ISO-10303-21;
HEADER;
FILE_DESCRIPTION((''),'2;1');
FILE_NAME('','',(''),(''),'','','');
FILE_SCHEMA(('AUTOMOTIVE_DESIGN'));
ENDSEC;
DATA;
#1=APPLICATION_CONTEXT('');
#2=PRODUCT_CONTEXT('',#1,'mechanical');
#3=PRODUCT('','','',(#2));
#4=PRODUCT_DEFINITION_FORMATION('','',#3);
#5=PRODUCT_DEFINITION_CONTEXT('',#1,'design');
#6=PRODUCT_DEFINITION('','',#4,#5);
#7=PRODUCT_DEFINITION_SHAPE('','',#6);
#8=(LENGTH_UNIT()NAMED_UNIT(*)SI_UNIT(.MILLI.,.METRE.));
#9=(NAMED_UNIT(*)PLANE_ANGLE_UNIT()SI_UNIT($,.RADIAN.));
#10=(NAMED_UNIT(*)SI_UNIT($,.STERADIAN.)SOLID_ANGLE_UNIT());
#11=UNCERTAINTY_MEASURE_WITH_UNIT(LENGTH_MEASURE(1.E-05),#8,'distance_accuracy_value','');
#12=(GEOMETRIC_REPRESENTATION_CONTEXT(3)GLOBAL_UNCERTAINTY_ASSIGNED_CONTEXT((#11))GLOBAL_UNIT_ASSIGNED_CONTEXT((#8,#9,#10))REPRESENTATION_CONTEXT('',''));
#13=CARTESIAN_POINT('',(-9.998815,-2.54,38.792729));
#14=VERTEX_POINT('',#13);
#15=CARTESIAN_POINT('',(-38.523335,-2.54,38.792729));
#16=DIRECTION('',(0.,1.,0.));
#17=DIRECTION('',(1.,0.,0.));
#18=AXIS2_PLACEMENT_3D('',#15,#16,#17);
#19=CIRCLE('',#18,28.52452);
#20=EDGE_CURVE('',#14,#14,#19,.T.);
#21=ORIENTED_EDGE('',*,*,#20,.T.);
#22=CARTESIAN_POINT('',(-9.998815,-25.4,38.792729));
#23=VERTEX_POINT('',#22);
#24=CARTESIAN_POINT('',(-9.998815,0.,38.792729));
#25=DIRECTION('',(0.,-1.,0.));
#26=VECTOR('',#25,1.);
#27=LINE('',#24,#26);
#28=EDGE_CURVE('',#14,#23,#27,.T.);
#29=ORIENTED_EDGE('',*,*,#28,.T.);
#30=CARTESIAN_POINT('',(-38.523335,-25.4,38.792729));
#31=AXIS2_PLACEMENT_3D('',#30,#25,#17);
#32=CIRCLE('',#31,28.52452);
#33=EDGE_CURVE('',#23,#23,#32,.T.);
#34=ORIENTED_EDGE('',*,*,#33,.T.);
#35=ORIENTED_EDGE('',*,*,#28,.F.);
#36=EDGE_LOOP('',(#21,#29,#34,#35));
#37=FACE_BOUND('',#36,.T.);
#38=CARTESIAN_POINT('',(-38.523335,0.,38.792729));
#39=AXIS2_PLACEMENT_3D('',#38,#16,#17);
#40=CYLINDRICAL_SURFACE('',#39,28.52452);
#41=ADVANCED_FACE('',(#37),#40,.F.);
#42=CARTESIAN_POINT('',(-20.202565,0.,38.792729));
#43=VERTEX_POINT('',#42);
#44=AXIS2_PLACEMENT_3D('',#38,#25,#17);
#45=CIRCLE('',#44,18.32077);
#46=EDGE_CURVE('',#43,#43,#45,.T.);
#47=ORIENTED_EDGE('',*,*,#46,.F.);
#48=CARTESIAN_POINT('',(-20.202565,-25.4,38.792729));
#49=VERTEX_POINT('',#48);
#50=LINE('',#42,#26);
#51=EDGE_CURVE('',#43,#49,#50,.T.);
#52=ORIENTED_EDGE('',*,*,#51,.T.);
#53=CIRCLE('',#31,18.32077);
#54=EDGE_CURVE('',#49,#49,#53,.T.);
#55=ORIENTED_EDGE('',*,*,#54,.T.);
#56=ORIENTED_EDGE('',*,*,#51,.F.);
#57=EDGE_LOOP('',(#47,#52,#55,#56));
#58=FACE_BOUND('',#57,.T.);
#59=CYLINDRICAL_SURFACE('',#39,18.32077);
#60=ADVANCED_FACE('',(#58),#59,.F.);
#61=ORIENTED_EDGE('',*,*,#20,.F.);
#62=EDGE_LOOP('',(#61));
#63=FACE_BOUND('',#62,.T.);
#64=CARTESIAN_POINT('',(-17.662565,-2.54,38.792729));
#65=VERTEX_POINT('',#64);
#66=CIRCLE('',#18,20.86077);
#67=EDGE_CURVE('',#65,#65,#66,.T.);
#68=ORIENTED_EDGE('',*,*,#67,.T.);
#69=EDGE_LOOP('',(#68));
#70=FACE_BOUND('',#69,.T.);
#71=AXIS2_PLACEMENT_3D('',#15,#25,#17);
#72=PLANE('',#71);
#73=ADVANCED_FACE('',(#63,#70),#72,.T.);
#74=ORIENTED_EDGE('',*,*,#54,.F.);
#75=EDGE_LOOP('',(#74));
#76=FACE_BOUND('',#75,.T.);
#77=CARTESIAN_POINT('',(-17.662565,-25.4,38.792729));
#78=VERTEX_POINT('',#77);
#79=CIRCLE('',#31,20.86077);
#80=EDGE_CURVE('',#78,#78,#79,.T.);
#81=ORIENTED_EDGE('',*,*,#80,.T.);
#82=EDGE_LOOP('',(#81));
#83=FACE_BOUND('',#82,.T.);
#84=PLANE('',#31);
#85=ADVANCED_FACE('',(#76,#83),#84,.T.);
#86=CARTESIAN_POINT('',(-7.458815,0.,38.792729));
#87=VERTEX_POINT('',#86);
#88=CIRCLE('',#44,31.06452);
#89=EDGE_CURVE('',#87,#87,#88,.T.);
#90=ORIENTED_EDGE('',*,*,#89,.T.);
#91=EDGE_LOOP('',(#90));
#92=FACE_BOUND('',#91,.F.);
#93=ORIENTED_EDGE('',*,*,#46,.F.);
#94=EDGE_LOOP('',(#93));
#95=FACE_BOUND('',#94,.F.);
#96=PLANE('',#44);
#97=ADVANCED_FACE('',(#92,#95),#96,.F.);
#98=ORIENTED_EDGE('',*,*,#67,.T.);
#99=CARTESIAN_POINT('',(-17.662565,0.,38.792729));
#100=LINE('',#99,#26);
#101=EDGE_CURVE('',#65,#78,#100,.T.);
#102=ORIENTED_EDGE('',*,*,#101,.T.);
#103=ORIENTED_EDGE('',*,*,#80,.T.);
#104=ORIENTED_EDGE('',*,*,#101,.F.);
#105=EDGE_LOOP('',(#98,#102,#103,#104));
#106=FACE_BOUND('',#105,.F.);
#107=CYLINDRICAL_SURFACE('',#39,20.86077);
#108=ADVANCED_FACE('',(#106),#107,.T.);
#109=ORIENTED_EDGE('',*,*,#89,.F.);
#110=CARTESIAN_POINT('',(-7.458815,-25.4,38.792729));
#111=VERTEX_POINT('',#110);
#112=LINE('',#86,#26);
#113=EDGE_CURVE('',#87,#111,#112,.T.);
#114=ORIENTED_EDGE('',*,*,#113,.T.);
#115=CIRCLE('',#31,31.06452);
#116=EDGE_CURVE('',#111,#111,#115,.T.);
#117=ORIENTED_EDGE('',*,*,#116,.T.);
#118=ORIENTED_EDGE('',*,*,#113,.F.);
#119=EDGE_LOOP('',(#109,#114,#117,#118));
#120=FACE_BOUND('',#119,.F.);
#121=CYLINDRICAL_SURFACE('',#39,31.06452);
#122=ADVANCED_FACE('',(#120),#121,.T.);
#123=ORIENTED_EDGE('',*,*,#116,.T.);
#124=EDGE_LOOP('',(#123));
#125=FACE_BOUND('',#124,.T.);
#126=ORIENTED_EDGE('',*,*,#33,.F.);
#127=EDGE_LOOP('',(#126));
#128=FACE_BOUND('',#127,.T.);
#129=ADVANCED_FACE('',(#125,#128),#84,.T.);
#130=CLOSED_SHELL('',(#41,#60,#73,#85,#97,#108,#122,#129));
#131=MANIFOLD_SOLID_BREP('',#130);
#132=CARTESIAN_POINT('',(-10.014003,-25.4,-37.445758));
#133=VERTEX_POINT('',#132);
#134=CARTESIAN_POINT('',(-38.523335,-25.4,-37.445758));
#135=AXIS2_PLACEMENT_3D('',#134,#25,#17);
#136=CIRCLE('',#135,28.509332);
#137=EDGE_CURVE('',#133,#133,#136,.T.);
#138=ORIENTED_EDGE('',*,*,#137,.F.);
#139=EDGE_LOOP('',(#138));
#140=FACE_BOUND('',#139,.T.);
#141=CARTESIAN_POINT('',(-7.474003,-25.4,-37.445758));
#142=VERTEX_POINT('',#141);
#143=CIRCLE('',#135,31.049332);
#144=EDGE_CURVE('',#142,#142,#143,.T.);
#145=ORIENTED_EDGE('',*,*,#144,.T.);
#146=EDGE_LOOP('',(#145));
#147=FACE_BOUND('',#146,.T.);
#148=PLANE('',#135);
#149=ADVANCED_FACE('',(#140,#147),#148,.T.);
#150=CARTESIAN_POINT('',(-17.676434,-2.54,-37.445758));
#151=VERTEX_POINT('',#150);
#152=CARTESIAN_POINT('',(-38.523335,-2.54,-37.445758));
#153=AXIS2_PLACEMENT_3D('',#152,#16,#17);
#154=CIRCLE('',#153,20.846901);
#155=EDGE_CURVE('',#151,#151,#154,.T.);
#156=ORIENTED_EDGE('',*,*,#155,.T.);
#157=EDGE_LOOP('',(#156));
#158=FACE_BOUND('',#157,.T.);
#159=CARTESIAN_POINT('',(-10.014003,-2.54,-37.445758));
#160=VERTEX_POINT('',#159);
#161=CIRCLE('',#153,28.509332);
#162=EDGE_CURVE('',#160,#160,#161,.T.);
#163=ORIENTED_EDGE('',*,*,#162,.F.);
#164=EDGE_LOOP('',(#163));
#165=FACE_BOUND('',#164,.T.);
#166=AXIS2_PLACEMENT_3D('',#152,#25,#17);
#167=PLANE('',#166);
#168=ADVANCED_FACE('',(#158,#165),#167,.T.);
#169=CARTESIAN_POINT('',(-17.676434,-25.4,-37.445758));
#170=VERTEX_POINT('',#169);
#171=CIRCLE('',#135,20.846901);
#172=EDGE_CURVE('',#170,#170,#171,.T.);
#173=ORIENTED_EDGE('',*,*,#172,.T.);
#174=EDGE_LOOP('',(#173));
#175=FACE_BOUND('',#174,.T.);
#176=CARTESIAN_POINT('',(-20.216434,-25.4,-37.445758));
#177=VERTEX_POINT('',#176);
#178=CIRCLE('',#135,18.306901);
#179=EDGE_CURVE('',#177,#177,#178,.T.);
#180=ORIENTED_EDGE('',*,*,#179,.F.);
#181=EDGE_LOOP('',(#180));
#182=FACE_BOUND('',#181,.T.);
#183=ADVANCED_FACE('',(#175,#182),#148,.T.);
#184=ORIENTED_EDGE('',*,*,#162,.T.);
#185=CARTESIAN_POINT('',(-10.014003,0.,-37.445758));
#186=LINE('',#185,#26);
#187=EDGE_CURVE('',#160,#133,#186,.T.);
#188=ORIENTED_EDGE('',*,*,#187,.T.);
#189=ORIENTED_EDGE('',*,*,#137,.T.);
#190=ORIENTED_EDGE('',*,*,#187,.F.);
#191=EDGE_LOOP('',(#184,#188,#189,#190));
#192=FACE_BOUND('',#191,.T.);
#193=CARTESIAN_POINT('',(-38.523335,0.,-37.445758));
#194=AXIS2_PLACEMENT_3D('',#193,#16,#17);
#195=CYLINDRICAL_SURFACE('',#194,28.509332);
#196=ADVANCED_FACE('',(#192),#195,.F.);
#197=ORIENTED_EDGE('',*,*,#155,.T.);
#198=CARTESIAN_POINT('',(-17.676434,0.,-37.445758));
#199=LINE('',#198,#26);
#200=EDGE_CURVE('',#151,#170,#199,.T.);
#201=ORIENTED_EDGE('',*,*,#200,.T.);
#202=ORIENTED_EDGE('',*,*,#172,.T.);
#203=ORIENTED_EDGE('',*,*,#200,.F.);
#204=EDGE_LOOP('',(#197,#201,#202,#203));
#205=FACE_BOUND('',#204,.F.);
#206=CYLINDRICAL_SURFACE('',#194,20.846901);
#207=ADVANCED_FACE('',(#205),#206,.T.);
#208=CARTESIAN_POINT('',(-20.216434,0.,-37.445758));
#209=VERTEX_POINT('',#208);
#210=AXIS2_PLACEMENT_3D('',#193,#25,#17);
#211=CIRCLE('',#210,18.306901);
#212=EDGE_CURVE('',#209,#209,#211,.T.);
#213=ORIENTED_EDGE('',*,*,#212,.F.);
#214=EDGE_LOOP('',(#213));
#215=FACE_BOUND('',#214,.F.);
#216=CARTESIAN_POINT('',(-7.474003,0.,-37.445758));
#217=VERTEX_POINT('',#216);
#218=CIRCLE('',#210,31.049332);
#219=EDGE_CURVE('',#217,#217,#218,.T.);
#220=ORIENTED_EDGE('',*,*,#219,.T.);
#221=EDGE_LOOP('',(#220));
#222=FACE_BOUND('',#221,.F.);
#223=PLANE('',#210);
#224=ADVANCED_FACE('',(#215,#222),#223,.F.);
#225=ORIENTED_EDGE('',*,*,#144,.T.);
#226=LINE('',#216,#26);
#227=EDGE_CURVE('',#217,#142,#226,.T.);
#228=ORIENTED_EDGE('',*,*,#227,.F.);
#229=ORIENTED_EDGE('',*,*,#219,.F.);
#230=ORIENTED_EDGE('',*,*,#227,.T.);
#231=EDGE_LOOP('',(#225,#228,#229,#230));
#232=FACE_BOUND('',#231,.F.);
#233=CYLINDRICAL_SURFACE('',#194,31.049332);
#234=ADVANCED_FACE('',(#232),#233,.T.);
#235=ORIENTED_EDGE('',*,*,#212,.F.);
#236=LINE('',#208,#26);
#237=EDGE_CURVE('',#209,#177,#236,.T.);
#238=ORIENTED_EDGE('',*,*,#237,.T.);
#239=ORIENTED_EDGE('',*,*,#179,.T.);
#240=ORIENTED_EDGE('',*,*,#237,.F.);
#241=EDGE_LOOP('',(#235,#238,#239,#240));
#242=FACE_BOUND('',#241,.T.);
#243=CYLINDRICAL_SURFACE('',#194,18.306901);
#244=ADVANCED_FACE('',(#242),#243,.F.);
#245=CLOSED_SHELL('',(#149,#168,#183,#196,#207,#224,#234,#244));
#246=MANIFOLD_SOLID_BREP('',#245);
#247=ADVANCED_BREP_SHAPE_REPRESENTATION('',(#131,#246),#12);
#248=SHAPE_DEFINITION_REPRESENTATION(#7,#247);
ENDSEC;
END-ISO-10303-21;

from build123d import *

# Parameters (mm, degrees)
F0_R     = 31.0645198861
F0_R_2   = 18.3207695428
F1_DEPTH = 25.4
F0_R_3   = 31.0493317599
F0_R_4   = 18.3069012544
F2_T     = -2.54
F2_2_T   = -2.54


with BuildPart() as f1:
    # F0 (on Front) → F1 (new body)
    with BuildSketch(Plane.XZ):
        with Locations((-38.5233350098, 38.7927293777)):
            Circle(F0_R)
        with Locations((-38.5233350098, 38.7927293777)):
            Circle(F0_R_2, mode=Mode.SUBTRACT)
    extrude(amount=F1_DEPTH)

    # F2
    f2_openings = [f1.faces().sort_by_distance(p)[0] for p in [
        (-68.709218, -25.4, 38.792729),
    ]]
    offset(amount=F2_T, openings=f2_openings)


with BuildPart() as f1b:
    # F0 (on Front) → F1, piece 2 (new body)
    with BuildSketch(Plane.XZ):
        with Locations((-38.5233350098, -37.4457575381)):
            Circle(F0_R_3)
        with Locations((-38.5233350098, -37.4457575381)):
            Circle(F0_R_4, mode=Mode.SUBTRACT)
    extrude(amount=F1_DEPTH)

    # F2#2
    f2_2_openings = [f1b.faces().sort_by_distance(p)[0] for p in [
        (-68.694459, -25.4, -37.445758),
    ]]
    offset(amount=F2_2_T, openings=f2_2_openings)


solid = Compound([f1.part, f1b.part])
